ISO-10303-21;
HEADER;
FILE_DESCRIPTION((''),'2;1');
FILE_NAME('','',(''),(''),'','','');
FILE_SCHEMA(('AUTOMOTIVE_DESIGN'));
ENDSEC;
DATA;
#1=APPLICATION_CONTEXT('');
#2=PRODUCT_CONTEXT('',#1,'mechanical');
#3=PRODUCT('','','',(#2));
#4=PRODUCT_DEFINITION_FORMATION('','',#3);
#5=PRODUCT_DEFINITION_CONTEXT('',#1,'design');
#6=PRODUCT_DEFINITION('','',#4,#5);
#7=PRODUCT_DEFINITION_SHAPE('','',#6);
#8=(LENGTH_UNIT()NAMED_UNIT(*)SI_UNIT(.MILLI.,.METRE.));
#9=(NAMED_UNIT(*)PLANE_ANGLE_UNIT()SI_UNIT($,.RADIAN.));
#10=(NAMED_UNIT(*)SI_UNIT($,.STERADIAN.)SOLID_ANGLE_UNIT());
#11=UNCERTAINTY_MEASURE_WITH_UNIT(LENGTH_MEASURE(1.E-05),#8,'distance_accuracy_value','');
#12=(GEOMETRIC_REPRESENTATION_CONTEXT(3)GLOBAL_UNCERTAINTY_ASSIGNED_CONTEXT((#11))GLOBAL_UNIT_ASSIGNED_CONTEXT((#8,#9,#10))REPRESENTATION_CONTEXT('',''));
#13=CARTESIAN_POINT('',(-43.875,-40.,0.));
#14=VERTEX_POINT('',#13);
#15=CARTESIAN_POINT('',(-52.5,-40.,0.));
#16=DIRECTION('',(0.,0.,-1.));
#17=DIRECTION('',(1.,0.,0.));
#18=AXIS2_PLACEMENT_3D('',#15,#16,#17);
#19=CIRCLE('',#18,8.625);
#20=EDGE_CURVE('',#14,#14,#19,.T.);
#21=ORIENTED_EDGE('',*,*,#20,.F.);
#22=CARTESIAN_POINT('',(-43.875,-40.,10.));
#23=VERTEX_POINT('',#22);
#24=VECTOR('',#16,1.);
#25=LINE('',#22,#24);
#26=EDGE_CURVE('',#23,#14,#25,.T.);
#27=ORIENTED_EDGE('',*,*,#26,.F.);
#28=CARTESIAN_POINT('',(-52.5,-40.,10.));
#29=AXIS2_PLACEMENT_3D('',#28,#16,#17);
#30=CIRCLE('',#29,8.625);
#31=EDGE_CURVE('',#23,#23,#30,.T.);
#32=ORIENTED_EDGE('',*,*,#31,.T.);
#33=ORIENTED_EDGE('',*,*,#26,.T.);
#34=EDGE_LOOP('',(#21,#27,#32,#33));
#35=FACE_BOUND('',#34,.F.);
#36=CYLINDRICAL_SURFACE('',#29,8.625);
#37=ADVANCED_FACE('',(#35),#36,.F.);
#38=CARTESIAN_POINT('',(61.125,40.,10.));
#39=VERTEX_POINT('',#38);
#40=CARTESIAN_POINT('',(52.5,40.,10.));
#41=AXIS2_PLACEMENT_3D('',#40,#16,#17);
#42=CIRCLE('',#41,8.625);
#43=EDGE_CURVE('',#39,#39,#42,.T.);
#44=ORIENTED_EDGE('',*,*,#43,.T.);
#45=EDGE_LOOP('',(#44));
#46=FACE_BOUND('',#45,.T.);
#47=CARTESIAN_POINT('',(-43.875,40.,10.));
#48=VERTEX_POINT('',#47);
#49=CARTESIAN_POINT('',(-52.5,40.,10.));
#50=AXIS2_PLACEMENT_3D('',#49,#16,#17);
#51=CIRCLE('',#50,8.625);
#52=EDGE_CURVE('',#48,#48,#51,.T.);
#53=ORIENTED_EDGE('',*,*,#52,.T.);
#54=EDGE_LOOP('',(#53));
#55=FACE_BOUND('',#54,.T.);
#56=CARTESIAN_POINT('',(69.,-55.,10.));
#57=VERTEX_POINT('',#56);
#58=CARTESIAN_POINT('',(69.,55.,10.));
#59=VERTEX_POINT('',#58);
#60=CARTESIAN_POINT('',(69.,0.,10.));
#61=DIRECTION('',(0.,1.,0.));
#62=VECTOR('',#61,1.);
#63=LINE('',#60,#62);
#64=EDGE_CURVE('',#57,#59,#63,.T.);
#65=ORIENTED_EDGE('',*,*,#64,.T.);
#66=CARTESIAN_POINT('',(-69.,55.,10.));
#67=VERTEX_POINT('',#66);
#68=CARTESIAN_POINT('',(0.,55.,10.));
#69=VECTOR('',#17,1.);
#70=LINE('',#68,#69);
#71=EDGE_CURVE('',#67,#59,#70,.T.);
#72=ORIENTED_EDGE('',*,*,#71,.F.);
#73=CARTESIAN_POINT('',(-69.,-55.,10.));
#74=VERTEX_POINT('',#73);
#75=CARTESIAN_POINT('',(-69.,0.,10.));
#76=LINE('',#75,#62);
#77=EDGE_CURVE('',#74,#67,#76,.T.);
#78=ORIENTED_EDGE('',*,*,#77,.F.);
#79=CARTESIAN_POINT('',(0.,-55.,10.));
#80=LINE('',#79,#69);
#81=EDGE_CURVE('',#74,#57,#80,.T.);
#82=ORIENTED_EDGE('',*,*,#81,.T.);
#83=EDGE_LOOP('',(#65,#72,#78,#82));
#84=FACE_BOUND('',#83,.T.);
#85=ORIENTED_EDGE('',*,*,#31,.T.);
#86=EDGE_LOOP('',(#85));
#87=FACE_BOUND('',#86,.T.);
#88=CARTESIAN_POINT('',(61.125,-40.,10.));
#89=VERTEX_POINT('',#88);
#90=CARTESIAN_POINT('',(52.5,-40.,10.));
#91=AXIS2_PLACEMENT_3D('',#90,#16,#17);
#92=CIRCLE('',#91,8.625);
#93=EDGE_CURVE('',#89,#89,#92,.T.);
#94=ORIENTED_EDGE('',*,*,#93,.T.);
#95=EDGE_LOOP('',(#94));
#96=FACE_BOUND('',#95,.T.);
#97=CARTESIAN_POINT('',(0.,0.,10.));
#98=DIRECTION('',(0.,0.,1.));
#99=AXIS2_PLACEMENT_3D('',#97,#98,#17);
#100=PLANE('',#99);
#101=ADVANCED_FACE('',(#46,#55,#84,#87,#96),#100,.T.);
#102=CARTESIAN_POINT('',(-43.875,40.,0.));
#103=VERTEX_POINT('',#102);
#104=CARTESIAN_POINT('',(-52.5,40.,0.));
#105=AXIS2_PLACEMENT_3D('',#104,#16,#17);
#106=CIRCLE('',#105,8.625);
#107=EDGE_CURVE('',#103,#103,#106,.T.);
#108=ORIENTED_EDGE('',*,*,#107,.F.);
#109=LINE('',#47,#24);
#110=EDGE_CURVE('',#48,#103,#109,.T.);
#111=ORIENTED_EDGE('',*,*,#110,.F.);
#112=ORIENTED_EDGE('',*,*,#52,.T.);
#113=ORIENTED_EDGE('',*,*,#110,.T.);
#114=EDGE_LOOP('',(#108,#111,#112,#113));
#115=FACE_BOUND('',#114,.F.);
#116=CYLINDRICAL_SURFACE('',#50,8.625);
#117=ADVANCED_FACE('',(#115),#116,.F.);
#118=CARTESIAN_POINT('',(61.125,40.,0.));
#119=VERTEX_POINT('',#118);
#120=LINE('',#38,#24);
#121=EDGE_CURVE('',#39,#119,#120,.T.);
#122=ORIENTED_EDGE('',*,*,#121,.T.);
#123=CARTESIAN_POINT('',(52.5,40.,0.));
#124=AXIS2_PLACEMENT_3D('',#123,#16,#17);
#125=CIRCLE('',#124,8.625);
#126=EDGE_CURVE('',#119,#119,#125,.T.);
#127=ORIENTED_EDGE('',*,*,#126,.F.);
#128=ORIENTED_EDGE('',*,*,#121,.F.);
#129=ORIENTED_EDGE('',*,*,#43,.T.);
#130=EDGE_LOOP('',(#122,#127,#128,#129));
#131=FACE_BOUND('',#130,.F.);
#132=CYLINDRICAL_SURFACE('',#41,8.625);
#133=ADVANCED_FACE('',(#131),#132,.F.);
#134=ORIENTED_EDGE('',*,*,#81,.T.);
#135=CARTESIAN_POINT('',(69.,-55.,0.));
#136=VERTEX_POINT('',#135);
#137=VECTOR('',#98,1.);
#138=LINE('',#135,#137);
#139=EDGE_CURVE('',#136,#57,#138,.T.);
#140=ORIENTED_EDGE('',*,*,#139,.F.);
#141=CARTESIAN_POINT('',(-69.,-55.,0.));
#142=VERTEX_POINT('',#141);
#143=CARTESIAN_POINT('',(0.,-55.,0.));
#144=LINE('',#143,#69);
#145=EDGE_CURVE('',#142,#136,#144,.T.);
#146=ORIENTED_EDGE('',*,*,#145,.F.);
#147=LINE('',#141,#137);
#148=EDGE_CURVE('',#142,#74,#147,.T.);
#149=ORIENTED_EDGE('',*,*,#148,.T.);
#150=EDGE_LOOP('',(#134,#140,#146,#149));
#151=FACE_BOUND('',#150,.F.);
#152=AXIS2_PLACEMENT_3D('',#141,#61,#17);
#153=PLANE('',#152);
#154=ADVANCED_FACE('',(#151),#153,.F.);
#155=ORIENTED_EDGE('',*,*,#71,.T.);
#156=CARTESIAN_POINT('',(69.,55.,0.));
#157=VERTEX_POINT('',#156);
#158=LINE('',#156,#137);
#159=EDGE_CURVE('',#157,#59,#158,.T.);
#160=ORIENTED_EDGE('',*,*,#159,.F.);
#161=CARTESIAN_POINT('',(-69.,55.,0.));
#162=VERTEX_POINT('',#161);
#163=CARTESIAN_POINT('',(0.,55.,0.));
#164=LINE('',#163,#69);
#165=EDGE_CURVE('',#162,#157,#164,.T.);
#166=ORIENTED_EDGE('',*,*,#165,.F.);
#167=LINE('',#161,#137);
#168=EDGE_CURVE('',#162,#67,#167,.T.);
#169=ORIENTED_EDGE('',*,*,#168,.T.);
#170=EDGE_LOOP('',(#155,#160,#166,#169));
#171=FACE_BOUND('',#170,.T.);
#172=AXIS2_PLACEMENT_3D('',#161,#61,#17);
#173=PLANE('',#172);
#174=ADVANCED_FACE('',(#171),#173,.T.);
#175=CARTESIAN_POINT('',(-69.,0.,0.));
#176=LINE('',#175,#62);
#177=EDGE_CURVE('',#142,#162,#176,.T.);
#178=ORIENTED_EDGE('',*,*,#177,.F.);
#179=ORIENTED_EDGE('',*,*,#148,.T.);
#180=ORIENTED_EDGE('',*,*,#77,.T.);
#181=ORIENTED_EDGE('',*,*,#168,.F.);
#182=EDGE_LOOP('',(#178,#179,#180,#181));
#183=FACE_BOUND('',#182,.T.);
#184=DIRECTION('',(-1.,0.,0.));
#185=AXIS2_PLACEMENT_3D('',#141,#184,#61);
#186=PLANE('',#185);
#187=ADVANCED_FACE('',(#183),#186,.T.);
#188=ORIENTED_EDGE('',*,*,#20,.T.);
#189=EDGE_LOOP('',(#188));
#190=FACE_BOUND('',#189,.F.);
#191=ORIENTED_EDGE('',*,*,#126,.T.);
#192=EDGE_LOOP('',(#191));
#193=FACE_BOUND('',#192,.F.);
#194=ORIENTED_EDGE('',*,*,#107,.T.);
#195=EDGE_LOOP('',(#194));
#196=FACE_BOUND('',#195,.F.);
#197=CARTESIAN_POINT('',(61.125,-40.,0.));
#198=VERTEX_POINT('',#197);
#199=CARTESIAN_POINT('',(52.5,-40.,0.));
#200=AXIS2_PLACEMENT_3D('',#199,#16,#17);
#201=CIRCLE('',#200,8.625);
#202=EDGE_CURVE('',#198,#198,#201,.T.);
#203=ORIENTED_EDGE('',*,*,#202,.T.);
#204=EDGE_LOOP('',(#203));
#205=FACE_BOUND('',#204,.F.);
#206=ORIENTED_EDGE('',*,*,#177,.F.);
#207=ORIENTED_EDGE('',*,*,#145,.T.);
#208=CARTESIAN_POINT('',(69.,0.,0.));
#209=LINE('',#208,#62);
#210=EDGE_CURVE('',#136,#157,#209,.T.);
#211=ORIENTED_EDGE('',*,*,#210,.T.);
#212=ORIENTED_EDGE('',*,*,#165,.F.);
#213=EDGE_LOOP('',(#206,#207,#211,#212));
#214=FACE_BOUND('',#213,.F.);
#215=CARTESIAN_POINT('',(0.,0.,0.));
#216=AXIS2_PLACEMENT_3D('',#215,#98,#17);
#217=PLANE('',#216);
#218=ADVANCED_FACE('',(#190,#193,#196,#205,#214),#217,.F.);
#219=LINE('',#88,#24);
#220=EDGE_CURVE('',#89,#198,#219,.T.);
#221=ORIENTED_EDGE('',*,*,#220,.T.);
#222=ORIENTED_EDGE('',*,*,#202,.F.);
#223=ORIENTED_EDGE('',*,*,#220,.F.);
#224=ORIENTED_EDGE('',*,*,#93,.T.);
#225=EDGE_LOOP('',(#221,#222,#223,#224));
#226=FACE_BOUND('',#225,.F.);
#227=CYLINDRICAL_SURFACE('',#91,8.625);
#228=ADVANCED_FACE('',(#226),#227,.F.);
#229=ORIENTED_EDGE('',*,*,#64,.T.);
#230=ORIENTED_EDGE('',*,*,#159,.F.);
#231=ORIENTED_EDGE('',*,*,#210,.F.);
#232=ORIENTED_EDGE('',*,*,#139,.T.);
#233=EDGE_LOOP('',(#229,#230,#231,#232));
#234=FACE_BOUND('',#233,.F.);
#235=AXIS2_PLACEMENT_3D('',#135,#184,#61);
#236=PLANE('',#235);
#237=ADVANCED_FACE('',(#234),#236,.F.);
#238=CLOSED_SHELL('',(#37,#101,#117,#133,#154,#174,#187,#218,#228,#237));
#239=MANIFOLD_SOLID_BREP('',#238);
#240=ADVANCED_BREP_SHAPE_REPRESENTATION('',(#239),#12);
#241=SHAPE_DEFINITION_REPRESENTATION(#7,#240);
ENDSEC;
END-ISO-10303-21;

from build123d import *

# Parameters (mm, degrees)
F0_W           = 138
F0_H           = 110
F0_R           = 5
F1_DEPTH       = 10
F2_D           = 11
F2_CBORE_D     = 17.25
F2_CBORE_DEPTH = 10


with BuildPart() as f1:
    # F0 (on Top) → F1 (new body)
    with BuildSketch(Plane.XY):
        Rectangle(F0_W, F0_H)
        with Locations((-52.5, -40)):
            Circle(F0_R, mode=Mode.SUBTRACT)
        with Locations((52.5, -40)):
            Circle(F0_R, mode=Mode.SUBTRACT)
        with Locations((-52.5, 40)):
            Circle(F0_R, mode=Mode.SUBTRACT)
        with Locations((52.5, 40)):
            Circle(F0_R, mode=Mode.SUBTRACT)
        with Locations((52.5, -40)):
            Circle(F0_R)
        with Locations((-52.5, 40)):
            Circle(F0_R)
        with Locations((-52.5, -40)):
            Circle(F0_R)
        with Locations((52.5, 40)):
            Circle(F0_R)
    extrude(amount=F1_DEPTH)

    # F2 (through all)
    with Locations(Plane(origin=(0, 0, 0), x_dir=(1, 0, 0), z_dir=(0, 0, -1))):
        with Locations((-52.5, -40), (52.5, -40), (-52.5, 40), (52.5, 40)):
            CounterBoreHole(F2_D / 2, F2_CBORE_D / 2, F2_CBORE_DEPTH)


solid = f1.part
